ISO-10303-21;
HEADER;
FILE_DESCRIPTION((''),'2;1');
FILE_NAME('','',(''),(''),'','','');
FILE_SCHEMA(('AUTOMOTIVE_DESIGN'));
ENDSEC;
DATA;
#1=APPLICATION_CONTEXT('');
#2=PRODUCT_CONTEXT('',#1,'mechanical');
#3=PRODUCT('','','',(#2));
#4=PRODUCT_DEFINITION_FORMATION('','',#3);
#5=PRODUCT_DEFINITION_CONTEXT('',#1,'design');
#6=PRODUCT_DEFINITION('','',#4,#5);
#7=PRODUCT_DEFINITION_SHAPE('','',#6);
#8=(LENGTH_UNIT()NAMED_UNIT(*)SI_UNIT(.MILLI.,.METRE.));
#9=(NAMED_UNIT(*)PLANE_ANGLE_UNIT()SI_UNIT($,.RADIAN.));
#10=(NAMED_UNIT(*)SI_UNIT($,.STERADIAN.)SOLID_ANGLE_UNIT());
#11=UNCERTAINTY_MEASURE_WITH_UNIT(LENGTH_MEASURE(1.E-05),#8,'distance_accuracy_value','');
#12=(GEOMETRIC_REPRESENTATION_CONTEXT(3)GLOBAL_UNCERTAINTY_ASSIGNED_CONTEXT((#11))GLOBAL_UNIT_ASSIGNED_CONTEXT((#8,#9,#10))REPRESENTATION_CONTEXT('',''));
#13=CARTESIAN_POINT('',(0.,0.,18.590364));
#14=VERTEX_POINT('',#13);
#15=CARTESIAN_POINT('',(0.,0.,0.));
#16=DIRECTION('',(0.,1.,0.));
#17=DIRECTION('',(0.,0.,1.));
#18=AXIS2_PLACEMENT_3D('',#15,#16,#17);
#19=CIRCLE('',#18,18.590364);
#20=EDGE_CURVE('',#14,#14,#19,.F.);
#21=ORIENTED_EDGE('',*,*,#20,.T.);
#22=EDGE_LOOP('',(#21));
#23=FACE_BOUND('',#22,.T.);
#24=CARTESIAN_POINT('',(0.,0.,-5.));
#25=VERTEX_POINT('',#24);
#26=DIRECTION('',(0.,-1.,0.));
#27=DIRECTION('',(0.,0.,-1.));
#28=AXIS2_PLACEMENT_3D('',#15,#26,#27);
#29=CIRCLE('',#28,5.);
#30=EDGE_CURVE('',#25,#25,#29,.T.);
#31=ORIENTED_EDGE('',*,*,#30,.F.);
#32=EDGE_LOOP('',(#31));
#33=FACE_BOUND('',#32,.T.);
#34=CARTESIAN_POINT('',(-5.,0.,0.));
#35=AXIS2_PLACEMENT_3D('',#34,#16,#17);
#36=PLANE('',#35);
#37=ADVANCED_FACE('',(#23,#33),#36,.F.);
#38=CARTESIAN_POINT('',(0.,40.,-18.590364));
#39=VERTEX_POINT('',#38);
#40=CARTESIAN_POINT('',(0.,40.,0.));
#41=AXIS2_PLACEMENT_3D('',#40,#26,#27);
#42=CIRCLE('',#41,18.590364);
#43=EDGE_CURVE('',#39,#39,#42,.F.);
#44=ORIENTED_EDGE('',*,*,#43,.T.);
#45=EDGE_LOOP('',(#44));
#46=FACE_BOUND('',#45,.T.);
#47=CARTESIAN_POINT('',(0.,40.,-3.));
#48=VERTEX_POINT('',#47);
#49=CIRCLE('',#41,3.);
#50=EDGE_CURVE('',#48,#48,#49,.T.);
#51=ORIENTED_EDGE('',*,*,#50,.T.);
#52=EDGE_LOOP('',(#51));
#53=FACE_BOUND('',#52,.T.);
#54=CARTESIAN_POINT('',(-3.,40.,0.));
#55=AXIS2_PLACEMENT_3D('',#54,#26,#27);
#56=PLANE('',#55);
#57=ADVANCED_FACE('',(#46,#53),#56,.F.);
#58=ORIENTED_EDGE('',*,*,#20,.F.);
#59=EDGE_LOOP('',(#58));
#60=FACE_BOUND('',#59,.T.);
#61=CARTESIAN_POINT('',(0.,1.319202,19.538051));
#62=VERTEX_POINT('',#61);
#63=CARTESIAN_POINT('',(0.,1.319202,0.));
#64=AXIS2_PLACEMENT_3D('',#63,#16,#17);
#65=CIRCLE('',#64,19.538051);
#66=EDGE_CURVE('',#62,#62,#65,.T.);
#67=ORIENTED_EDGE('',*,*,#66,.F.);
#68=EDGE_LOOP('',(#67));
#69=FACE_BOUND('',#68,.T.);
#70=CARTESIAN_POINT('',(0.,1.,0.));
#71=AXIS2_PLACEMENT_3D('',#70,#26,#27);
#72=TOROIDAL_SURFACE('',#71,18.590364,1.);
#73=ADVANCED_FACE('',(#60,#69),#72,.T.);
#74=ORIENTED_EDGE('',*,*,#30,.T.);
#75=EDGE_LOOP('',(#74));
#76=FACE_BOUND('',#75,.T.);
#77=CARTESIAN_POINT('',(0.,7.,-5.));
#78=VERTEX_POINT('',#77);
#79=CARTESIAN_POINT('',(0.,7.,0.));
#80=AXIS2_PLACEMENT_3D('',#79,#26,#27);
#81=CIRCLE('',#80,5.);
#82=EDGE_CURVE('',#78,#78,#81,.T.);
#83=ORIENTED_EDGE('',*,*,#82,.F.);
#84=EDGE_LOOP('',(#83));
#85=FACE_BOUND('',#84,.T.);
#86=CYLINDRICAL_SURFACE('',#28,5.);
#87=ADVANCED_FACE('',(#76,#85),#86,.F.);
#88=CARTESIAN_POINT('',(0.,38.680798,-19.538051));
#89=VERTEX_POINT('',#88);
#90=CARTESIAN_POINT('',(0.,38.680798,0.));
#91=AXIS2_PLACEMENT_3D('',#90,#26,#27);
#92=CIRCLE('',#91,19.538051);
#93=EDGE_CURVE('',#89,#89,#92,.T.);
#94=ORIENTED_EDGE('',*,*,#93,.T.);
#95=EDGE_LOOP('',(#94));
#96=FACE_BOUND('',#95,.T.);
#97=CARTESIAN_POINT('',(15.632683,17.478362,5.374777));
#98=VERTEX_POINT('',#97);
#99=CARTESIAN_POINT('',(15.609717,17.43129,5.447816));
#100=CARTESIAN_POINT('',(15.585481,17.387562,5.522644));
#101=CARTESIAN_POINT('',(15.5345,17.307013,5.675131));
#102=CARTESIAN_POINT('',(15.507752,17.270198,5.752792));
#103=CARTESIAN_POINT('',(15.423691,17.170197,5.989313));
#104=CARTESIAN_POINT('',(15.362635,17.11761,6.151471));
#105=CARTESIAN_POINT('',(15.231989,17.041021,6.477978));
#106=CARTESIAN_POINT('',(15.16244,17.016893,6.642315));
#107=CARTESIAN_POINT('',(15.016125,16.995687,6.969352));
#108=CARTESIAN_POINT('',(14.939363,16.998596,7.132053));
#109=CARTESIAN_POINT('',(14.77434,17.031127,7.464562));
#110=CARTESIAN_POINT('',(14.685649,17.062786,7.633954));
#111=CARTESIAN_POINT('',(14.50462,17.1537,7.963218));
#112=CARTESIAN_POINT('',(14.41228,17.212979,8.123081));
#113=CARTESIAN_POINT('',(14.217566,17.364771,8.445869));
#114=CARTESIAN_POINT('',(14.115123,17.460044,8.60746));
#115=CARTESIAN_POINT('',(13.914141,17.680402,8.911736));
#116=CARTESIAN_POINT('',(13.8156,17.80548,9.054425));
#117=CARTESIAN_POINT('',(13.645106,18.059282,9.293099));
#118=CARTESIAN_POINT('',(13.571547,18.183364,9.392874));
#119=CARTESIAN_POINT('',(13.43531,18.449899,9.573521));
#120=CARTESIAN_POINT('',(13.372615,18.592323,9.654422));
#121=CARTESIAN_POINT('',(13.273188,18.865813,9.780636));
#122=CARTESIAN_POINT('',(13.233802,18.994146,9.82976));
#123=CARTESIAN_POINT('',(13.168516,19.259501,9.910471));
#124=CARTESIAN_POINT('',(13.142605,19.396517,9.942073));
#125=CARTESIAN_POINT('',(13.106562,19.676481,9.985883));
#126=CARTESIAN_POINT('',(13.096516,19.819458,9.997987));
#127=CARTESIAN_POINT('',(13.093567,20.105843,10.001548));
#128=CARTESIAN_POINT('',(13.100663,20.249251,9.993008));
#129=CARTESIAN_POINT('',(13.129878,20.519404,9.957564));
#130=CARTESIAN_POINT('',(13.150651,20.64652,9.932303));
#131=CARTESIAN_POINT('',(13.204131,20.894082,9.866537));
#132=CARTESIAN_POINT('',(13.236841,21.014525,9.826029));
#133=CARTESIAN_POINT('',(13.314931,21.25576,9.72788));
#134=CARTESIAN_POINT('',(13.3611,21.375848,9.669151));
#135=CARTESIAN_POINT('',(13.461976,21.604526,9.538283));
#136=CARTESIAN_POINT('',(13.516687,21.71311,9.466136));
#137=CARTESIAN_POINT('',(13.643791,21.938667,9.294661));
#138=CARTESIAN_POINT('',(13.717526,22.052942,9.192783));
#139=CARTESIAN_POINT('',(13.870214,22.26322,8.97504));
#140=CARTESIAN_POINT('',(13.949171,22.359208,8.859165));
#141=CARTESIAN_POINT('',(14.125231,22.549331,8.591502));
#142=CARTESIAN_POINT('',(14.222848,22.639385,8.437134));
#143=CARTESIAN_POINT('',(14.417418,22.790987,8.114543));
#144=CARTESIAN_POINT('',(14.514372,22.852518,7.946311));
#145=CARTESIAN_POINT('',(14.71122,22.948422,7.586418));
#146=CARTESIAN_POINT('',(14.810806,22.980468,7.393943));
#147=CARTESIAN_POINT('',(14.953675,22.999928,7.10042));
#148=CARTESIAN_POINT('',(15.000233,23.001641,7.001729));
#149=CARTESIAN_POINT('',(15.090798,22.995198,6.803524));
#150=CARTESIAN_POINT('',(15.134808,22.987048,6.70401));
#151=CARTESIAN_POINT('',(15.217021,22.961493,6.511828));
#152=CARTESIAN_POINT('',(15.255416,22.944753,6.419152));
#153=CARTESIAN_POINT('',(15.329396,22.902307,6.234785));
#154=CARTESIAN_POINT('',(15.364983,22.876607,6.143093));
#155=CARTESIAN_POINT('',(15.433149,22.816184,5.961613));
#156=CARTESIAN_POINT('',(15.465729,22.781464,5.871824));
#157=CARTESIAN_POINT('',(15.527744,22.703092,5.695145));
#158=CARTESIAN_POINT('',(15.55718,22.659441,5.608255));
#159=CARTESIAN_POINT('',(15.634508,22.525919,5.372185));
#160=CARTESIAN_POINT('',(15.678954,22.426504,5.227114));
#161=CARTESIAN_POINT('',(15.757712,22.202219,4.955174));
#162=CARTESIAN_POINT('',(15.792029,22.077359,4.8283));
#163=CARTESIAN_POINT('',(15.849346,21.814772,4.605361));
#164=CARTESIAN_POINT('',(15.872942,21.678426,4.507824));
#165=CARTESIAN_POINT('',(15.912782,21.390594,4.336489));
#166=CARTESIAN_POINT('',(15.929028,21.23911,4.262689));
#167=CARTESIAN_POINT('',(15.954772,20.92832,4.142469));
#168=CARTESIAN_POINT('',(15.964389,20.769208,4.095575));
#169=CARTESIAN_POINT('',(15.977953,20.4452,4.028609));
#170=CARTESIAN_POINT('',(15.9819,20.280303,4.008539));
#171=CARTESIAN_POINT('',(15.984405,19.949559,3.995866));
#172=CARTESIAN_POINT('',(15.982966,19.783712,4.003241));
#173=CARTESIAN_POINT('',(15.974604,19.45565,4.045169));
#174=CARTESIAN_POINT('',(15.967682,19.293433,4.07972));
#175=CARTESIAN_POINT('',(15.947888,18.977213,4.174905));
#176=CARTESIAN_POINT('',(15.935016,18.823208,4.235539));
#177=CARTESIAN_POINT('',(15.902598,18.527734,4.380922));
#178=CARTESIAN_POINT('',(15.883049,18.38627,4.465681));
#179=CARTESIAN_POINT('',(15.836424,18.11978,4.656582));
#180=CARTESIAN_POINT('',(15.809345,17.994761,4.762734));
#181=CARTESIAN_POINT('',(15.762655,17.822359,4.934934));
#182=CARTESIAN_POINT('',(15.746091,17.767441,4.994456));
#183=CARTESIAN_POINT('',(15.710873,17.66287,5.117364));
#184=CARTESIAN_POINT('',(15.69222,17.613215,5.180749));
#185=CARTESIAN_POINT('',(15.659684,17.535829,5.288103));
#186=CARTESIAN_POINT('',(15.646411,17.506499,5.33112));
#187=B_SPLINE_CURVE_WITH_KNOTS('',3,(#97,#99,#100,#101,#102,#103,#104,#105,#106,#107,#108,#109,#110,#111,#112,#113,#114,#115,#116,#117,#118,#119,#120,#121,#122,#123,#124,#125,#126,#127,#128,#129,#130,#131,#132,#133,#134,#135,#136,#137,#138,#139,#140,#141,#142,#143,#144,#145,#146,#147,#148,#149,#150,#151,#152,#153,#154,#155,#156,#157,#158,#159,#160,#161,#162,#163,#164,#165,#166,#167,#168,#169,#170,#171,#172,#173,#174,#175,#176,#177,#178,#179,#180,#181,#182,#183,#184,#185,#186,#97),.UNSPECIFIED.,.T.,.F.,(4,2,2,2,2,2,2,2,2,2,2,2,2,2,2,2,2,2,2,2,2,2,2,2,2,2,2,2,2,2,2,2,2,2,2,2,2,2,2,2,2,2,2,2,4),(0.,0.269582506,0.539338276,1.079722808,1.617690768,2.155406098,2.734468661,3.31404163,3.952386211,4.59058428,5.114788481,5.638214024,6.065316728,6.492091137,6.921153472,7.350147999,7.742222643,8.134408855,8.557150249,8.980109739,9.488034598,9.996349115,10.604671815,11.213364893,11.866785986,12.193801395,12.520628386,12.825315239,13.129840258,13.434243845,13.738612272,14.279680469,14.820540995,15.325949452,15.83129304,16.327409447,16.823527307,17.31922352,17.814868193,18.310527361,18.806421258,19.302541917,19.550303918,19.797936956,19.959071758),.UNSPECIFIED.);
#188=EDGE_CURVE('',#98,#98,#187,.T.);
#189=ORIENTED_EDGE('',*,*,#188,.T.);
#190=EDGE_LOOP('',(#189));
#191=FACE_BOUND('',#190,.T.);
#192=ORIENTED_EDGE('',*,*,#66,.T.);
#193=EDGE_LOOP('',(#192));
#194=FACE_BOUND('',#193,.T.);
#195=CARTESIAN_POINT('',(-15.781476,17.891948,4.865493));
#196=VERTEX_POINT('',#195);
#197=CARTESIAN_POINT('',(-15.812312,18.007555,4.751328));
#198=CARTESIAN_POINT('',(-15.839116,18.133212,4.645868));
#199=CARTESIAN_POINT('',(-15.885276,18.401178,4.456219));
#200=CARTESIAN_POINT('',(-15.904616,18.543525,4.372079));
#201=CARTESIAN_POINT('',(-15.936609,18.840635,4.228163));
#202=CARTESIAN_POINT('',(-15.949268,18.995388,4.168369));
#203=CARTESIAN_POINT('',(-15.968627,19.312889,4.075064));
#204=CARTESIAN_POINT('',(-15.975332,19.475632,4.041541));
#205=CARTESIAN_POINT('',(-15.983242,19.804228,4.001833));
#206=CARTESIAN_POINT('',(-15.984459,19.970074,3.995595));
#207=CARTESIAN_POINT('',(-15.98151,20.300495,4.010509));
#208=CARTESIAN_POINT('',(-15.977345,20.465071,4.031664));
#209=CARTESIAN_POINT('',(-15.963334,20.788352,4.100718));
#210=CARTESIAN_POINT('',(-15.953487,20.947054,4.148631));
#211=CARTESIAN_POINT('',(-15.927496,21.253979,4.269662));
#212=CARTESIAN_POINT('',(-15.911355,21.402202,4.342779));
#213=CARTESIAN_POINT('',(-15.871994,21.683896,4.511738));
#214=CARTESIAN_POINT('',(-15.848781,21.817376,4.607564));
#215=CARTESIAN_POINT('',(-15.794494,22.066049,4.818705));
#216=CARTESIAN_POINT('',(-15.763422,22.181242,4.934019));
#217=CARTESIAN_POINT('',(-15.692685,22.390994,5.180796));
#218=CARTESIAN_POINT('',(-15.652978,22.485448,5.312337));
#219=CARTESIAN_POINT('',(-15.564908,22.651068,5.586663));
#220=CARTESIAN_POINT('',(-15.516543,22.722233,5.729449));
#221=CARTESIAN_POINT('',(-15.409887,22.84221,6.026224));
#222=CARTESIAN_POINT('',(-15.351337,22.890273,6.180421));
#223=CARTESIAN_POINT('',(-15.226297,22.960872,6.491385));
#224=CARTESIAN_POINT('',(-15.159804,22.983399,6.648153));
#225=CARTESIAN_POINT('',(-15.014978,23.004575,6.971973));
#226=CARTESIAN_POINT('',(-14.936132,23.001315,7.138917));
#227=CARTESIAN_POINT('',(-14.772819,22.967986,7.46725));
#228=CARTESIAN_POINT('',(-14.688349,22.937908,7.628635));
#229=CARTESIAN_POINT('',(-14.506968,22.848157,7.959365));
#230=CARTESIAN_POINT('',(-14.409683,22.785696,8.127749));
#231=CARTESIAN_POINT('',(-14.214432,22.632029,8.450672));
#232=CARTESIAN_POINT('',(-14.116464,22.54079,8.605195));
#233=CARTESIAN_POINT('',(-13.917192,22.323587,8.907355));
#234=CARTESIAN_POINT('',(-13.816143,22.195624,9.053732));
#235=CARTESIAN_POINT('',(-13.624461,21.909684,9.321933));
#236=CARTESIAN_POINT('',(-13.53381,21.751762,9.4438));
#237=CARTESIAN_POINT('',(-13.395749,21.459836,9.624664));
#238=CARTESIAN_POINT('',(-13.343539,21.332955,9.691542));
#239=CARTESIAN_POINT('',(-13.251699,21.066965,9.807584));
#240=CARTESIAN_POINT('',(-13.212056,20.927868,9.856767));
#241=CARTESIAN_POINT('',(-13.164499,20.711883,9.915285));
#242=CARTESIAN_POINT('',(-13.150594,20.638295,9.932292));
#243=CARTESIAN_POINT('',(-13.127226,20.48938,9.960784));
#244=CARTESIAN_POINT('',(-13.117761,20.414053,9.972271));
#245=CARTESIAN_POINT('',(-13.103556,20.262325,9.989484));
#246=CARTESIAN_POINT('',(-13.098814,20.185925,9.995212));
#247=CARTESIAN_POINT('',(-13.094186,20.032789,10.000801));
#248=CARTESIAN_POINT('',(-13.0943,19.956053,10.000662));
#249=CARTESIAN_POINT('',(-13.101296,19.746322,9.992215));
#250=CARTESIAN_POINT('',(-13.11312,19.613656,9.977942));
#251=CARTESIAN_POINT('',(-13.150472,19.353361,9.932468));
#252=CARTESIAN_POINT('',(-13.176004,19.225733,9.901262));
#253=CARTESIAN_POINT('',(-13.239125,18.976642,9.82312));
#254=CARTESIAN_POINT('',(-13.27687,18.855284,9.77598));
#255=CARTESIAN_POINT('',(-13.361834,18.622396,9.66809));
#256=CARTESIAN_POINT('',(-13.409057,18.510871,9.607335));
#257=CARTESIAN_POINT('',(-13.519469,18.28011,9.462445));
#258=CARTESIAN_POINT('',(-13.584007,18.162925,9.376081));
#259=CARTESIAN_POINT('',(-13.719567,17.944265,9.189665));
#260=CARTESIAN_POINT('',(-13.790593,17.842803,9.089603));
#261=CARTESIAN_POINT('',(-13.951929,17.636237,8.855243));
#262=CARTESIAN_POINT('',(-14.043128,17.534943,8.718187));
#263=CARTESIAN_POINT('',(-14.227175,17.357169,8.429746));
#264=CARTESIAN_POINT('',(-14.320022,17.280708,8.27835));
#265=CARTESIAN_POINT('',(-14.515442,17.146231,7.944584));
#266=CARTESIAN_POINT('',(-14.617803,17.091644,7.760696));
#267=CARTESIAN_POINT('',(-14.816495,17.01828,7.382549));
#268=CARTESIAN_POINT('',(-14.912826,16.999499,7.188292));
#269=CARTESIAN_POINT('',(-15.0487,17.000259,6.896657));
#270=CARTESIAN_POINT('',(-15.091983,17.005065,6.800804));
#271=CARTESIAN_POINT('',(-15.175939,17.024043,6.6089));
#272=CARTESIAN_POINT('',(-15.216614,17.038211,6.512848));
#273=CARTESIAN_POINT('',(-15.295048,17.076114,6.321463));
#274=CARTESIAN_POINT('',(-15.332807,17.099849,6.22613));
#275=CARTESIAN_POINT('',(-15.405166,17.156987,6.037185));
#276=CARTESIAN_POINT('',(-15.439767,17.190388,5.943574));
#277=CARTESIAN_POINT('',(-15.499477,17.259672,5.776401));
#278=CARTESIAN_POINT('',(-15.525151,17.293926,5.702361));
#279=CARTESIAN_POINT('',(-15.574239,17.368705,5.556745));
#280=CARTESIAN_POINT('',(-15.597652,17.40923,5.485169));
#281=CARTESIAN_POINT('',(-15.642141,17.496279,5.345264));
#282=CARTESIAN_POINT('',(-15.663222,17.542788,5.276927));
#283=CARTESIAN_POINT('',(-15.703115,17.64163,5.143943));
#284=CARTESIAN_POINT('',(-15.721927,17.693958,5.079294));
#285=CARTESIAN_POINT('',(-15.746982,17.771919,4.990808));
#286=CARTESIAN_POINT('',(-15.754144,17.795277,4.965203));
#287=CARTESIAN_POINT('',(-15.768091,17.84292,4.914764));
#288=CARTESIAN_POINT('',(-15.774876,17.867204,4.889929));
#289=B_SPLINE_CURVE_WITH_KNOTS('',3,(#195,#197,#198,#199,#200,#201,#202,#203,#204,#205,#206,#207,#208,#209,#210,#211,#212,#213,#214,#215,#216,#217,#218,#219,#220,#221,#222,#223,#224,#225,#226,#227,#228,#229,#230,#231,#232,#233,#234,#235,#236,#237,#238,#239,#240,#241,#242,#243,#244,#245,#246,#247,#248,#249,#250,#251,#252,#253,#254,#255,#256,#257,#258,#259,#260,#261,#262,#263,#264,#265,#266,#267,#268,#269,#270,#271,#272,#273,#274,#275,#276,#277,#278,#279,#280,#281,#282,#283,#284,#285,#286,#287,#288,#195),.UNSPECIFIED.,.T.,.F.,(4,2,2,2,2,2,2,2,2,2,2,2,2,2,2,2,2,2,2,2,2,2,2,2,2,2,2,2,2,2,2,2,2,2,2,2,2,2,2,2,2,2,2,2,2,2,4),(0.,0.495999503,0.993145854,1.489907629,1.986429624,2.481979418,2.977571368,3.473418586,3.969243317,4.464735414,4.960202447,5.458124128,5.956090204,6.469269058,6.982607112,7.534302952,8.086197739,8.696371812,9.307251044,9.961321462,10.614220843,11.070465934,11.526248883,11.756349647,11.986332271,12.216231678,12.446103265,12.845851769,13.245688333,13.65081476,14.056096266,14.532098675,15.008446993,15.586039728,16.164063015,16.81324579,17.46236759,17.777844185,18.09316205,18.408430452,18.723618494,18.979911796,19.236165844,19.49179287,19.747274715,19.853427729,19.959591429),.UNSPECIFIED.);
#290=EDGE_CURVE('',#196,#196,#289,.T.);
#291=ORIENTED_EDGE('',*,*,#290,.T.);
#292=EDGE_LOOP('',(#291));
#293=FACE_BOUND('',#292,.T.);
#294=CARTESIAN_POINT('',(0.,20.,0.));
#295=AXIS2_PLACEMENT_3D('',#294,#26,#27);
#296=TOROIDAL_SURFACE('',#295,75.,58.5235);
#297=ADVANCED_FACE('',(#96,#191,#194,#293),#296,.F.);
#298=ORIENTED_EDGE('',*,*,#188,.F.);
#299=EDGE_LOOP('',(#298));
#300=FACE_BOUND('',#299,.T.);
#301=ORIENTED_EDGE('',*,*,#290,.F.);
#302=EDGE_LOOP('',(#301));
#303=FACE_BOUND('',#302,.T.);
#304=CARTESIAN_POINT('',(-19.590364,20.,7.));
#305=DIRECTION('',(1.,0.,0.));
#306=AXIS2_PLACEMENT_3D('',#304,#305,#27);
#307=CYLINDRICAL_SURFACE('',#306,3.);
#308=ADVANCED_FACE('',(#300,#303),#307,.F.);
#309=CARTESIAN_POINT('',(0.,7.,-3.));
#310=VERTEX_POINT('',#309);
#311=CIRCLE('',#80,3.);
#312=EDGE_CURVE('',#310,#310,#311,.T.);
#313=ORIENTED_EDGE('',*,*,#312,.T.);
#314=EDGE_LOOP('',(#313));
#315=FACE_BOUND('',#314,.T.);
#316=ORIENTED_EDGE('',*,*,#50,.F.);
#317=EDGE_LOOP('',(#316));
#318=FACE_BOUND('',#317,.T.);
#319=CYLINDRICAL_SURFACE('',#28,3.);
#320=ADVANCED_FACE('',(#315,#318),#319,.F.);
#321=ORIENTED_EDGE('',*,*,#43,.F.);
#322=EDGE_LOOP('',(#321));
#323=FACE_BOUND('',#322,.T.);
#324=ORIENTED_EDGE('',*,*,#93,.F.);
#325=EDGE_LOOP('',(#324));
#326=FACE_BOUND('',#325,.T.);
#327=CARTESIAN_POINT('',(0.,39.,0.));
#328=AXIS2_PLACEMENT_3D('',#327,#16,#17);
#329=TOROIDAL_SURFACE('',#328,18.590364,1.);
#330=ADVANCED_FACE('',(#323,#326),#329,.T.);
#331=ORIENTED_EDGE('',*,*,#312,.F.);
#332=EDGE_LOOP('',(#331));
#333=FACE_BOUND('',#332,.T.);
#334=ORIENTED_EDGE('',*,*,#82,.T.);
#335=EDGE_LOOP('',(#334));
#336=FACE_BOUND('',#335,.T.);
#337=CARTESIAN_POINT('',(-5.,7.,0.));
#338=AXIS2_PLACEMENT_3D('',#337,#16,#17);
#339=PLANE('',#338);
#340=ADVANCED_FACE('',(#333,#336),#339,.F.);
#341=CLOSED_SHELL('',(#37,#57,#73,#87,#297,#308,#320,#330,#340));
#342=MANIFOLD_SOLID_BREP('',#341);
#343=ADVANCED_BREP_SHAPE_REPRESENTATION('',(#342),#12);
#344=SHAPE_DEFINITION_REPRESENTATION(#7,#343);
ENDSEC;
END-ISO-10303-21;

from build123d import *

# Parameters (mm, degrees)
CONG_1_R                     = 1
ESQUISSE2_R                  = 3
ENL_V_MAT_EXTRU_1_DEPTH      = 20.590364406
ENL_V_MAT_EXTRU_1_DEPTH_BACK = 20.590364406


with BuildPart() as part:
    # Esquisse1 → Révolution1 (revolve)
    with BuildSketch(Plane.XY):
        with BuildLine():
            Line((-3, 40), (-20, 40))
            ThreePointArc((-20, 40), (-16.476500446, 20), (-20, 0))
            Line((-20, 0), (-5, 0))
            Line((-5, 0), (-5, 7))
            Line((-5, 7), (-3, 7))
            Line((-3, 7), (-3, 40))
        make_face()
    revolve(axis=Axis((0, 0, 0), (0, 1, 0)))

    # Congé1
    cong_1_edges = [part.edges().sort_by_distance(p)[0] for p in [
        (20, 40, 0),
        (20, 0, 0),
    ]]
    fillet(cong_1_edges, radius=CONG_1_R)

    # Esquisse2 → Enlèv. mat.-Extru.1 (cut, two sides)
    with BuildSketch(Plane(origin=(0, 0, 0), x_dir=(0, 0, -1), z_dir=(1, 0, 0))) as enl_v_mat_extru_1_sk:
        with Locations((-7, 20)):
            Circle(ESQUISSE2_R)
    extrude(amount=ENL_V_MAT_EXTRU_1_DEPTH, mode=Mode.SUBTRACT)
    extrude(enl_v_mat_extru_1_sk.sketch, amount=-ENL_V_MAT_EXTRU_1_DEPTH_BACK, mode=Mode.SUBTRACT)


solid = part.part
